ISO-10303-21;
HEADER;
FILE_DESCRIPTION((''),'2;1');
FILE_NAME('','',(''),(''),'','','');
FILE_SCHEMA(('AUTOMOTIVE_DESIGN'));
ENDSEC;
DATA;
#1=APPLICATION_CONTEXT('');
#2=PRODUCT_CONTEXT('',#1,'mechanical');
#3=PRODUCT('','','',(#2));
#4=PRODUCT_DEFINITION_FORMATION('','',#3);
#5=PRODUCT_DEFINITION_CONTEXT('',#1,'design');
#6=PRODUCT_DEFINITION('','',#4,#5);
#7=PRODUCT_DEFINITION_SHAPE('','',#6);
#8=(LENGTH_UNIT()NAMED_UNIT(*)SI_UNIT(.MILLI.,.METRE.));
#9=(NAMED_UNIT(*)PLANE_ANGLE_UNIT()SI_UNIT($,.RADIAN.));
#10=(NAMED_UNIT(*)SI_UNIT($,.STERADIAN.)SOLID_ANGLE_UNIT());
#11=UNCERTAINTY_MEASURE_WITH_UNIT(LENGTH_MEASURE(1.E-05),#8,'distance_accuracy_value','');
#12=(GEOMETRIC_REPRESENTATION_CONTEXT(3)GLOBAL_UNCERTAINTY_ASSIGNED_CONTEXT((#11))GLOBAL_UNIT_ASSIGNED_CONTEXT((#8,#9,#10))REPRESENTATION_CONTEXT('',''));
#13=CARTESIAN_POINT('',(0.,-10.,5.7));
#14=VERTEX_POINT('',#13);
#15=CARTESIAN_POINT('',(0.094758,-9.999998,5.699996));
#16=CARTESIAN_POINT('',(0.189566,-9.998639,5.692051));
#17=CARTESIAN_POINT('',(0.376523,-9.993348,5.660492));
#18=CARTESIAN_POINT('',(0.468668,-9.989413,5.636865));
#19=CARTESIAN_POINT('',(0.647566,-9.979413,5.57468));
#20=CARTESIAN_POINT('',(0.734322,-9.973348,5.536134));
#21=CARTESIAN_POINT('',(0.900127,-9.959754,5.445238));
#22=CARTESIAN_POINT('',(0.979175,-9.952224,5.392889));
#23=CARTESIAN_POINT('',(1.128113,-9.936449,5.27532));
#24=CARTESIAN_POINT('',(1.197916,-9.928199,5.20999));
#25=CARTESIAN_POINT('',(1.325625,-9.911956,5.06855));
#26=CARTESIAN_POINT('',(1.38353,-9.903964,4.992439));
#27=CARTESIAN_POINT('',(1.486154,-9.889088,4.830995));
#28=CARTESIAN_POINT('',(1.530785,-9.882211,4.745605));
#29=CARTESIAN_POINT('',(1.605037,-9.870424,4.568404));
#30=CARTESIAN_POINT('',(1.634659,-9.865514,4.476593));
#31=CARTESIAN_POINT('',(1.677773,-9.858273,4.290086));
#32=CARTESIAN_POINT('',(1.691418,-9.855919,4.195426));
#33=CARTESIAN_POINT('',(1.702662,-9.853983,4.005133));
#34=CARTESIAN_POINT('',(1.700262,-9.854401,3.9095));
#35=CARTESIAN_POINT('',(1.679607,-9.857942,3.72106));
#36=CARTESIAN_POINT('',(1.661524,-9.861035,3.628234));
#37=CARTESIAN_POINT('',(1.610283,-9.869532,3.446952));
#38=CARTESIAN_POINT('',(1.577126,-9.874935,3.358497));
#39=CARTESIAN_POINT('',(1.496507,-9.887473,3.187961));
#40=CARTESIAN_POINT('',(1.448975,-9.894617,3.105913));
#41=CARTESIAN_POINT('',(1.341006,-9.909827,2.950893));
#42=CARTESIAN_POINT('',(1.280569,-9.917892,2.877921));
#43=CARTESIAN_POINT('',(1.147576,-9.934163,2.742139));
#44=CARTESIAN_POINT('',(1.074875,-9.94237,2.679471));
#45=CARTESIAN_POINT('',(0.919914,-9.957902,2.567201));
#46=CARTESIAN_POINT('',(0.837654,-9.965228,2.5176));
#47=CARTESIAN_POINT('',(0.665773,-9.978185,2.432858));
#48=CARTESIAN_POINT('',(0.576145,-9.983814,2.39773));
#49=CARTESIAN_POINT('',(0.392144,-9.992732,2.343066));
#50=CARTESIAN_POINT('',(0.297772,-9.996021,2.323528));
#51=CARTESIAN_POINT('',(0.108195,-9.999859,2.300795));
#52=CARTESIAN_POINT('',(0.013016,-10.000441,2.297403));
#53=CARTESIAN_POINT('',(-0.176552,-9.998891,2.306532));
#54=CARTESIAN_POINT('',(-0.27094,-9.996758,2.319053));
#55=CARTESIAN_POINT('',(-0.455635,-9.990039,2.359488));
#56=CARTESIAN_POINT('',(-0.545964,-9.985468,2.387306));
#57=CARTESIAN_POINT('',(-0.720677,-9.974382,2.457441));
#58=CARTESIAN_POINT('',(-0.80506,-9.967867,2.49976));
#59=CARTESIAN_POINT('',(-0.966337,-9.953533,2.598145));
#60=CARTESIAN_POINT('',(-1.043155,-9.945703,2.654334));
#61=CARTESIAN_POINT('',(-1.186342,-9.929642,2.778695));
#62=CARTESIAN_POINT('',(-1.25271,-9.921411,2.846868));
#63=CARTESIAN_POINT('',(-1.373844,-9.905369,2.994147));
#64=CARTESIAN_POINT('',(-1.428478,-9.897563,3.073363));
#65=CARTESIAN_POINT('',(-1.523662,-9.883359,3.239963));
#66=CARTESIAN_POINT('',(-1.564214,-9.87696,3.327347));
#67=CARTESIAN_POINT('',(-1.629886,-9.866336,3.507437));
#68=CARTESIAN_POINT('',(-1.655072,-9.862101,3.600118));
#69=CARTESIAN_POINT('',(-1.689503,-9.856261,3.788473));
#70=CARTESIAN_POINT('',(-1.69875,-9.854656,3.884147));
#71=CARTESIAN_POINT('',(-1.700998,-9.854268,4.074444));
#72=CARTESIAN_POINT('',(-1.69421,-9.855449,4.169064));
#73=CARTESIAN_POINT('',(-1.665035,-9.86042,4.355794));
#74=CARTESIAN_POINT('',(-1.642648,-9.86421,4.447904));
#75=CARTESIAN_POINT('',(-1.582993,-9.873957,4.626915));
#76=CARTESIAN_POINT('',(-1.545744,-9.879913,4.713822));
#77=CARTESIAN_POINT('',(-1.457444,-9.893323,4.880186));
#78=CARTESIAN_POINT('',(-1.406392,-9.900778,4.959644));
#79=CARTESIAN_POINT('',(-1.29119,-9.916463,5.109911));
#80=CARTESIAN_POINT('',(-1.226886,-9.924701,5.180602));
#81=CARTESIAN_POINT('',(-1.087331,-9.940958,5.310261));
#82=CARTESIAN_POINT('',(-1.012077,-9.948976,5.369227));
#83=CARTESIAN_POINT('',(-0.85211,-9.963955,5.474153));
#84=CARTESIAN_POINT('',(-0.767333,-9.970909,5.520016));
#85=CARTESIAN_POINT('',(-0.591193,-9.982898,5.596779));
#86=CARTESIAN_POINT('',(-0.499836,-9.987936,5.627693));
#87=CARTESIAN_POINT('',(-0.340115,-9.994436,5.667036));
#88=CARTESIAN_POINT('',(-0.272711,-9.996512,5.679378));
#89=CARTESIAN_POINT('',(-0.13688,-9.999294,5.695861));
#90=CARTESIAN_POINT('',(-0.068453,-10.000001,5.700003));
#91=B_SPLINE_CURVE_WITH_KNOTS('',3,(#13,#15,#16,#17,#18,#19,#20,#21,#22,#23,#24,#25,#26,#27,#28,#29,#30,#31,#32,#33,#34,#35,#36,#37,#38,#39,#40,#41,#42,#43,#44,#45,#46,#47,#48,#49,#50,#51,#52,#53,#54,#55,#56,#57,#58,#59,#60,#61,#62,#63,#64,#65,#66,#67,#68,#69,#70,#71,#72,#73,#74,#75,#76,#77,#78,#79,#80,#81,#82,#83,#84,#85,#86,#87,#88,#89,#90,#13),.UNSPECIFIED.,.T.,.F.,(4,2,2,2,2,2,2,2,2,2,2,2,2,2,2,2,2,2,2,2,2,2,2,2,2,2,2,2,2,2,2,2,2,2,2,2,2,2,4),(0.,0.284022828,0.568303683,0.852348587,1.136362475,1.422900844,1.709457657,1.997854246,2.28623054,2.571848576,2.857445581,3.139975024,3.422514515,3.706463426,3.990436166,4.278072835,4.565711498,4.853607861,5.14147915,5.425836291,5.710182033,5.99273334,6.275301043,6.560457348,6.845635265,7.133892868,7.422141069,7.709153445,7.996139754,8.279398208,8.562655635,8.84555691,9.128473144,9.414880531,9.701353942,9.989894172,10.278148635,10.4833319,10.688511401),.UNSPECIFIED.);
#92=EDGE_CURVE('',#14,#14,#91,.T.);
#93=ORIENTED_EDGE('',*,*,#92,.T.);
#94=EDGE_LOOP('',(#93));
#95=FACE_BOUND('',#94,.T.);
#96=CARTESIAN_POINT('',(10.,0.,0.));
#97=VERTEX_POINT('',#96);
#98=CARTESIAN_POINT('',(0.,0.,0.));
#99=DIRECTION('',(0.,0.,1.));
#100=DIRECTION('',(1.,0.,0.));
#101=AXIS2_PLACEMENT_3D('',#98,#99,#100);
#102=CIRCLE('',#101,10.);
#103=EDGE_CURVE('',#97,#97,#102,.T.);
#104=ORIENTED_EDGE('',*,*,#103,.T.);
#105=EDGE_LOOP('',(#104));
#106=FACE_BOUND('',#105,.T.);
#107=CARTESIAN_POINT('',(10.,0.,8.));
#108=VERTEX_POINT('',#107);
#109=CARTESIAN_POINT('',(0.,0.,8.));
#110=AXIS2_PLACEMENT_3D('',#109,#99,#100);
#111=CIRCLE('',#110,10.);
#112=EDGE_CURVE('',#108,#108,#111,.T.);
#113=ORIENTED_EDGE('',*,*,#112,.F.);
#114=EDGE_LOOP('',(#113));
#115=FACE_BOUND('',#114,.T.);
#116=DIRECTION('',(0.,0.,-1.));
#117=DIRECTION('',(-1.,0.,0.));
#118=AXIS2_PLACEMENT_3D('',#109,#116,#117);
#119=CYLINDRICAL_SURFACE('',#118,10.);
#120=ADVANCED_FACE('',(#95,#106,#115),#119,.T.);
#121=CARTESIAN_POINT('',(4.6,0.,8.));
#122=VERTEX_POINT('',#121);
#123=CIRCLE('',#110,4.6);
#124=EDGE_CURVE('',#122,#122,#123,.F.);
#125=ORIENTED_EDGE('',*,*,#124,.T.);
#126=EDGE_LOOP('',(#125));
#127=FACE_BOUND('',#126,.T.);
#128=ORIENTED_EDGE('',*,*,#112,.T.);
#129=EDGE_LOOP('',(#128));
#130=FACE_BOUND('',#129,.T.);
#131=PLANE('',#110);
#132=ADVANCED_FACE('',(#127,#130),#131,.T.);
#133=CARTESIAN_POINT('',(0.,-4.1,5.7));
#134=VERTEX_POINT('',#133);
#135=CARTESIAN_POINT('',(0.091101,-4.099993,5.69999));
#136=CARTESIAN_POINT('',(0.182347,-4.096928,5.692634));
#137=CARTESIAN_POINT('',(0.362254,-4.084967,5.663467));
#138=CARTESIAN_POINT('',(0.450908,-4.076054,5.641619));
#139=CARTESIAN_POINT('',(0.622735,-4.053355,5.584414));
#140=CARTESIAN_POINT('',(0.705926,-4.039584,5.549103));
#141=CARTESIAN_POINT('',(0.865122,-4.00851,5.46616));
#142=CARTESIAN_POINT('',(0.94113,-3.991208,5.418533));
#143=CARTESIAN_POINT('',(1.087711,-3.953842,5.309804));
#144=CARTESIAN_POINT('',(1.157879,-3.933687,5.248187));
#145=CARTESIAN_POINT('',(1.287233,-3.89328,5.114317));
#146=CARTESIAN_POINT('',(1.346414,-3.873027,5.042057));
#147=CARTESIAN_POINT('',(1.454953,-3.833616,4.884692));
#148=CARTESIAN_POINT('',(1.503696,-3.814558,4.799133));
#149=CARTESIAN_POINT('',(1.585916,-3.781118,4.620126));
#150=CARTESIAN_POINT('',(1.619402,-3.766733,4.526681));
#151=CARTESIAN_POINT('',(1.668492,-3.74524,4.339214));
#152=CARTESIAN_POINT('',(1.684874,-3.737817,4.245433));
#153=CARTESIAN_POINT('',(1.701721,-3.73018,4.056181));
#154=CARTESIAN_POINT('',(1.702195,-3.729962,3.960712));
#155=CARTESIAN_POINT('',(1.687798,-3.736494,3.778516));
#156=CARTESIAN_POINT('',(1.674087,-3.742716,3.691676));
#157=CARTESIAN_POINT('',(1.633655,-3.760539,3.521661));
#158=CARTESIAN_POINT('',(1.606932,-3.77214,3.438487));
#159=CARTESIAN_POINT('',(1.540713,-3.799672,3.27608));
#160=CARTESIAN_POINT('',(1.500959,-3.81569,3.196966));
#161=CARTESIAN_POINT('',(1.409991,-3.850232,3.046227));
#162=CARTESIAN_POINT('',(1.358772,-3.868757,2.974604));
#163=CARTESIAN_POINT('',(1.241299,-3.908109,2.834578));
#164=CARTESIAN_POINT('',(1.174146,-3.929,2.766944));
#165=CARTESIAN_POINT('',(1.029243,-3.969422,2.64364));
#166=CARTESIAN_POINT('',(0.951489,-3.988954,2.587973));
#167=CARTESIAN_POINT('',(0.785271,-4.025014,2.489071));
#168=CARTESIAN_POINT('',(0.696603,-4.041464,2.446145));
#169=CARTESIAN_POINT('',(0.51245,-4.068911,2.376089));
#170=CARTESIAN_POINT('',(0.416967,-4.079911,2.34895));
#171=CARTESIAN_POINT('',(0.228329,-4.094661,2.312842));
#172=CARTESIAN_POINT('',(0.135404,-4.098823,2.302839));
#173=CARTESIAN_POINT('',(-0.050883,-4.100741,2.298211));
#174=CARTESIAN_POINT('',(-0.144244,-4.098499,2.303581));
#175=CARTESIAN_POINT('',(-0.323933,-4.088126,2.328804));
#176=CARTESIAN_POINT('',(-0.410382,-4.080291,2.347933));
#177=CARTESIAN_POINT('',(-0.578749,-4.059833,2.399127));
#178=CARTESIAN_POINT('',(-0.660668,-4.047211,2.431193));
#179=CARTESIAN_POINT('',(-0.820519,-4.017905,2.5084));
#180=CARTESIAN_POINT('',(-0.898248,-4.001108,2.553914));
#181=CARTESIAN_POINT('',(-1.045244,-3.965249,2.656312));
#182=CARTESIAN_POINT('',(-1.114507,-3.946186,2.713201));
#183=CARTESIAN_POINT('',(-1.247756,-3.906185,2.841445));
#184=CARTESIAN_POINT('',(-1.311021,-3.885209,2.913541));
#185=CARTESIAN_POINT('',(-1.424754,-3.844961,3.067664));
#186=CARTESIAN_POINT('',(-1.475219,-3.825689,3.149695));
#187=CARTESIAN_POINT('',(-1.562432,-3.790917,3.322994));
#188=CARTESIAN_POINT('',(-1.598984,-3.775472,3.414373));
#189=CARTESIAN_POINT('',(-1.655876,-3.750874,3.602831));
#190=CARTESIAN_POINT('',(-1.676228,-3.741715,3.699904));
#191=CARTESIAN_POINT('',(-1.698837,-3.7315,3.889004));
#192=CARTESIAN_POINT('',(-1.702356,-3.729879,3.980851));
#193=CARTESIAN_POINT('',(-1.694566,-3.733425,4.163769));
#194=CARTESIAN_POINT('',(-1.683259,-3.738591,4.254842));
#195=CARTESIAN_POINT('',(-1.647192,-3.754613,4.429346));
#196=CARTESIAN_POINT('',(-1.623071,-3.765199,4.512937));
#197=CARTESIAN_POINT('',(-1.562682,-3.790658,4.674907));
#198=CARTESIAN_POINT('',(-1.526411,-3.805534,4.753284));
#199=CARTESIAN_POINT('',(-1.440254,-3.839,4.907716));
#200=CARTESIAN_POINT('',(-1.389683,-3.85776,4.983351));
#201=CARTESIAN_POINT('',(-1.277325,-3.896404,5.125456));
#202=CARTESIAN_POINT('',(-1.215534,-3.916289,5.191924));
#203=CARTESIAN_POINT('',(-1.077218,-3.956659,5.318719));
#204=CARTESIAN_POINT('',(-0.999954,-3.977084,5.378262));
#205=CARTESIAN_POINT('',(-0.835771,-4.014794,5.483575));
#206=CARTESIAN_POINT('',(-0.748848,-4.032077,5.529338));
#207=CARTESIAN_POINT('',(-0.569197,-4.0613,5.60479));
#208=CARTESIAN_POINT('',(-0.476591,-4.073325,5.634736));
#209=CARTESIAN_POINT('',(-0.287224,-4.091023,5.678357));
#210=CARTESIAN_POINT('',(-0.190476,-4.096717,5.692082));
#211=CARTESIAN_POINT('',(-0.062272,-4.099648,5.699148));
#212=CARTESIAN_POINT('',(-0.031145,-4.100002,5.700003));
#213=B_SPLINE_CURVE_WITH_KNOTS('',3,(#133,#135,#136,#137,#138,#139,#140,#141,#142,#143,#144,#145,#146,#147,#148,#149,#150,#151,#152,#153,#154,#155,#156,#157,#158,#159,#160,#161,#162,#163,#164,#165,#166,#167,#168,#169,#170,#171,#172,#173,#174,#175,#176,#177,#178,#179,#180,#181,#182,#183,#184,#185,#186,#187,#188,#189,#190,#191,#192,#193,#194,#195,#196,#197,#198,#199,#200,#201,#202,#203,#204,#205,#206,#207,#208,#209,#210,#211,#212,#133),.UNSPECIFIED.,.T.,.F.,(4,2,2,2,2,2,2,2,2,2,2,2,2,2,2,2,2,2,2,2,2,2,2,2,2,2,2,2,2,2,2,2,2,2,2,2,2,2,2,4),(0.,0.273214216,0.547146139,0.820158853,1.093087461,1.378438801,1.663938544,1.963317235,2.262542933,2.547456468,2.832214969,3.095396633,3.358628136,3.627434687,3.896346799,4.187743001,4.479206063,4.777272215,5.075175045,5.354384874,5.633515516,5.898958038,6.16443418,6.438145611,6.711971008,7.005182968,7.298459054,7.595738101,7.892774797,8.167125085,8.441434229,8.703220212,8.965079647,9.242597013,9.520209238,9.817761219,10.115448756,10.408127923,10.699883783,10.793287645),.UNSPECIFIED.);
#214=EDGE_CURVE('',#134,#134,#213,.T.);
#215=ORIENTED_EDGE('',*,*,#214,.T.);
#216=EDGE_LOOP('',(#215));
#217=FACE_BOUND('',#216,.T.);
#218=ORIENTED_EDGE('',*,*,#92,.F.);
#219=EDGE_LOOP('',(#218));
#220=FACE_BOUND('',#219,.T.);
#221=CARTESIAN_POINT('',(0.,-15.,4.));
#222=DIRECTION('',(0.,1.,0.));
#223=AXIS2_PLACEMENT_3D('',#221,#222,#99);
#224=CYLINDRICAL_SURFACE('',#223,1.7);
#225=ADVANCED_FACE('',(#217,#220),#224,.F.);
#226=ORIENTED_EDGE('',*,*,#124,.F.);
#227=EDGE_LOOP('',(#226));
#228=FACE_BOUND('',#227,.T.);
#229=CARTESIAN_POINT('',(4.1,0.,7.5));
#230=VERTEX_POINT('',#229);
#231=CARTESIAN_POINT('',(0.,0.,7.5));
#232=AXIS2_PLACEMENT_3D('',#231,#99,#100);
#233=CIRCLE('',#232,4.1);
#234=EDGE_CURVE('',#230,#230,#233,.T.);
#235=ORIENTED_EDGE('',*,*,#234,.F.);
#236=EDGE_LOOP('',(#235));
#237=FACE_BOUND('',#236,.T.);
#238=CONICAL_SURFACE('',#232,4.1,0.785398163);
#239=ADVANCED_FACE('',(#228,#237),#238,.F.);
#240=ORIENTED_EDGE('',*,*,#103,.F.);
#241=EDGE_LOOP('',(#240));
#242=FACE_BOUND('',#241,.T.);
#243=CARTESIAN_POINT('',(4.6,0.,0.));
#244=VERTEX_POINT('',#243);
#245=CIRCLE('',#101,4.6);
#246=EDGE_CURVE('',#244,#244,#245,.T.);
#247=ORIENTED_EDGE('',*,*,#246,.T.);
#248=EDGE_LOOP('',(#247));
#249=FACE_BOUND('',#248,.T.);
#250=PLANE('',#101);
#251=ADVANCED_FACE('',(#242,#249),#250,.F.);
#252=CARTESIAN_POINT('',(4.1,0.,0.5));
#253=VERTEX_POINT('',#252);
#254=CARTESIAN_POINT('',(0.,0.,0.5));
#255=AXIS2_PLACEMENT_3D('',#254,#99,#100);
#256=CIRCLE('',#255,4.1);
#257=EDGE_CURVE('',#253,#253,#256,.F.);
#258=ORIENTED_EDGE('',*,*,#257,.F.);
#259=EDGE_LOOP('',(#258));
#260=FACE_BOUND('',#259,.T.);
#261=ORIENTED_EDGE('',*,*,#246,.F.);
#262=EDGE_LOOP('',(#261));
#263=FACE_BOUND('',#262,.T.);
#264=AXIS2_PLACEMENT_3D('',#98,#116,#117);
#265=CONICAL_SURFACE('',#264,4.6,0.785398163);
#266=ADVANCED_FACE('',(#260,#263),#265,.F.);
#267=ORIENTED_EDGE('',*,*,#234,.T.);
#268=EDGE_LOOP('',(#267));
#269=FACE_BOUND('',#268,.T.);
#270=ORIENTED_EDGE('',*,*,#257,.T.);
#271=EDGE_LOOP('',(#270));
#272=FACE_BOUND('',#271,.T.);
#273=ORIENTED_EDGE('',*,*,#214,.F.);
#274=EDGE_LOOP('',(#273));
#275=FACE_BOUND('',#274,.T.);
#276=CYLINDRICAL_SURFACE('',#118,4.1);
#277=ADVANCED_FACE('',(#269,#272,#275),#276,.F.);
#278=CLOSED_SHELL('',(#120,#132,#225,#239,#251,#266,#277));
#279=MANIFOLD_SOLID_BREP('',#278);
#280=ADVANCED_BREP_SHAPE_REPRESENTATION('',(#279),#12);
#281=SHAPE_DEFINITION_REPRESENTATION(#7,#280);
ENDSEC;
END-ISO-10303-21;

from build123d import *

# Parameters (mm, degrees)
ESQUISSE1_R             = 10
ESQUISSE1_R_2           = 4.1
BOSS_EXTRU_1_DEPTH      = 8
ESQUISSE2_R             = 1.7
ENL_V_MAT_EXTRU_1_DEPTH = 15
CHANFREIN1_SIZE         = 0.5


with BuildPart() as part:
    # Esquisse1 → Boss.-Extru.1 (new body)
    with BuildSketch(Plane.XY):
        Circle(ESQUISSE1_R)
        Circle(ESQUISSE1_R_2, mode=Mode.SUBTRACT)
    extrude(amount=BOSS_EXTRU_1_DEPTH)

    # Esquisse2 → Enlèv. mat.-Extru.1 (cut)
    with BuildSketch(Plane(origin=(0, 0, 0), x_dir=(1, 0, 0), z_dir=(0, 1, 0))):
        with Locations(Location((0, -4, 0), (0, 0, 270))):
            Circle(ESQUISSE2_R)
    extrude(amount=-ENL_V_MAT_EXTRU_1_DEPTH, mode=Mode.SUBTRACT)

    # Chanfrein1
    chanfrein1_edges = [part.edges().sort_by_distance(p)[0] for p in [
        (-4.1, 0, 0),
        (-4.1, 0, 8),
    ]]
    chamfer(chanfrein1_edges, length=CHANFREIN1_SIZE)


solid = part.part
